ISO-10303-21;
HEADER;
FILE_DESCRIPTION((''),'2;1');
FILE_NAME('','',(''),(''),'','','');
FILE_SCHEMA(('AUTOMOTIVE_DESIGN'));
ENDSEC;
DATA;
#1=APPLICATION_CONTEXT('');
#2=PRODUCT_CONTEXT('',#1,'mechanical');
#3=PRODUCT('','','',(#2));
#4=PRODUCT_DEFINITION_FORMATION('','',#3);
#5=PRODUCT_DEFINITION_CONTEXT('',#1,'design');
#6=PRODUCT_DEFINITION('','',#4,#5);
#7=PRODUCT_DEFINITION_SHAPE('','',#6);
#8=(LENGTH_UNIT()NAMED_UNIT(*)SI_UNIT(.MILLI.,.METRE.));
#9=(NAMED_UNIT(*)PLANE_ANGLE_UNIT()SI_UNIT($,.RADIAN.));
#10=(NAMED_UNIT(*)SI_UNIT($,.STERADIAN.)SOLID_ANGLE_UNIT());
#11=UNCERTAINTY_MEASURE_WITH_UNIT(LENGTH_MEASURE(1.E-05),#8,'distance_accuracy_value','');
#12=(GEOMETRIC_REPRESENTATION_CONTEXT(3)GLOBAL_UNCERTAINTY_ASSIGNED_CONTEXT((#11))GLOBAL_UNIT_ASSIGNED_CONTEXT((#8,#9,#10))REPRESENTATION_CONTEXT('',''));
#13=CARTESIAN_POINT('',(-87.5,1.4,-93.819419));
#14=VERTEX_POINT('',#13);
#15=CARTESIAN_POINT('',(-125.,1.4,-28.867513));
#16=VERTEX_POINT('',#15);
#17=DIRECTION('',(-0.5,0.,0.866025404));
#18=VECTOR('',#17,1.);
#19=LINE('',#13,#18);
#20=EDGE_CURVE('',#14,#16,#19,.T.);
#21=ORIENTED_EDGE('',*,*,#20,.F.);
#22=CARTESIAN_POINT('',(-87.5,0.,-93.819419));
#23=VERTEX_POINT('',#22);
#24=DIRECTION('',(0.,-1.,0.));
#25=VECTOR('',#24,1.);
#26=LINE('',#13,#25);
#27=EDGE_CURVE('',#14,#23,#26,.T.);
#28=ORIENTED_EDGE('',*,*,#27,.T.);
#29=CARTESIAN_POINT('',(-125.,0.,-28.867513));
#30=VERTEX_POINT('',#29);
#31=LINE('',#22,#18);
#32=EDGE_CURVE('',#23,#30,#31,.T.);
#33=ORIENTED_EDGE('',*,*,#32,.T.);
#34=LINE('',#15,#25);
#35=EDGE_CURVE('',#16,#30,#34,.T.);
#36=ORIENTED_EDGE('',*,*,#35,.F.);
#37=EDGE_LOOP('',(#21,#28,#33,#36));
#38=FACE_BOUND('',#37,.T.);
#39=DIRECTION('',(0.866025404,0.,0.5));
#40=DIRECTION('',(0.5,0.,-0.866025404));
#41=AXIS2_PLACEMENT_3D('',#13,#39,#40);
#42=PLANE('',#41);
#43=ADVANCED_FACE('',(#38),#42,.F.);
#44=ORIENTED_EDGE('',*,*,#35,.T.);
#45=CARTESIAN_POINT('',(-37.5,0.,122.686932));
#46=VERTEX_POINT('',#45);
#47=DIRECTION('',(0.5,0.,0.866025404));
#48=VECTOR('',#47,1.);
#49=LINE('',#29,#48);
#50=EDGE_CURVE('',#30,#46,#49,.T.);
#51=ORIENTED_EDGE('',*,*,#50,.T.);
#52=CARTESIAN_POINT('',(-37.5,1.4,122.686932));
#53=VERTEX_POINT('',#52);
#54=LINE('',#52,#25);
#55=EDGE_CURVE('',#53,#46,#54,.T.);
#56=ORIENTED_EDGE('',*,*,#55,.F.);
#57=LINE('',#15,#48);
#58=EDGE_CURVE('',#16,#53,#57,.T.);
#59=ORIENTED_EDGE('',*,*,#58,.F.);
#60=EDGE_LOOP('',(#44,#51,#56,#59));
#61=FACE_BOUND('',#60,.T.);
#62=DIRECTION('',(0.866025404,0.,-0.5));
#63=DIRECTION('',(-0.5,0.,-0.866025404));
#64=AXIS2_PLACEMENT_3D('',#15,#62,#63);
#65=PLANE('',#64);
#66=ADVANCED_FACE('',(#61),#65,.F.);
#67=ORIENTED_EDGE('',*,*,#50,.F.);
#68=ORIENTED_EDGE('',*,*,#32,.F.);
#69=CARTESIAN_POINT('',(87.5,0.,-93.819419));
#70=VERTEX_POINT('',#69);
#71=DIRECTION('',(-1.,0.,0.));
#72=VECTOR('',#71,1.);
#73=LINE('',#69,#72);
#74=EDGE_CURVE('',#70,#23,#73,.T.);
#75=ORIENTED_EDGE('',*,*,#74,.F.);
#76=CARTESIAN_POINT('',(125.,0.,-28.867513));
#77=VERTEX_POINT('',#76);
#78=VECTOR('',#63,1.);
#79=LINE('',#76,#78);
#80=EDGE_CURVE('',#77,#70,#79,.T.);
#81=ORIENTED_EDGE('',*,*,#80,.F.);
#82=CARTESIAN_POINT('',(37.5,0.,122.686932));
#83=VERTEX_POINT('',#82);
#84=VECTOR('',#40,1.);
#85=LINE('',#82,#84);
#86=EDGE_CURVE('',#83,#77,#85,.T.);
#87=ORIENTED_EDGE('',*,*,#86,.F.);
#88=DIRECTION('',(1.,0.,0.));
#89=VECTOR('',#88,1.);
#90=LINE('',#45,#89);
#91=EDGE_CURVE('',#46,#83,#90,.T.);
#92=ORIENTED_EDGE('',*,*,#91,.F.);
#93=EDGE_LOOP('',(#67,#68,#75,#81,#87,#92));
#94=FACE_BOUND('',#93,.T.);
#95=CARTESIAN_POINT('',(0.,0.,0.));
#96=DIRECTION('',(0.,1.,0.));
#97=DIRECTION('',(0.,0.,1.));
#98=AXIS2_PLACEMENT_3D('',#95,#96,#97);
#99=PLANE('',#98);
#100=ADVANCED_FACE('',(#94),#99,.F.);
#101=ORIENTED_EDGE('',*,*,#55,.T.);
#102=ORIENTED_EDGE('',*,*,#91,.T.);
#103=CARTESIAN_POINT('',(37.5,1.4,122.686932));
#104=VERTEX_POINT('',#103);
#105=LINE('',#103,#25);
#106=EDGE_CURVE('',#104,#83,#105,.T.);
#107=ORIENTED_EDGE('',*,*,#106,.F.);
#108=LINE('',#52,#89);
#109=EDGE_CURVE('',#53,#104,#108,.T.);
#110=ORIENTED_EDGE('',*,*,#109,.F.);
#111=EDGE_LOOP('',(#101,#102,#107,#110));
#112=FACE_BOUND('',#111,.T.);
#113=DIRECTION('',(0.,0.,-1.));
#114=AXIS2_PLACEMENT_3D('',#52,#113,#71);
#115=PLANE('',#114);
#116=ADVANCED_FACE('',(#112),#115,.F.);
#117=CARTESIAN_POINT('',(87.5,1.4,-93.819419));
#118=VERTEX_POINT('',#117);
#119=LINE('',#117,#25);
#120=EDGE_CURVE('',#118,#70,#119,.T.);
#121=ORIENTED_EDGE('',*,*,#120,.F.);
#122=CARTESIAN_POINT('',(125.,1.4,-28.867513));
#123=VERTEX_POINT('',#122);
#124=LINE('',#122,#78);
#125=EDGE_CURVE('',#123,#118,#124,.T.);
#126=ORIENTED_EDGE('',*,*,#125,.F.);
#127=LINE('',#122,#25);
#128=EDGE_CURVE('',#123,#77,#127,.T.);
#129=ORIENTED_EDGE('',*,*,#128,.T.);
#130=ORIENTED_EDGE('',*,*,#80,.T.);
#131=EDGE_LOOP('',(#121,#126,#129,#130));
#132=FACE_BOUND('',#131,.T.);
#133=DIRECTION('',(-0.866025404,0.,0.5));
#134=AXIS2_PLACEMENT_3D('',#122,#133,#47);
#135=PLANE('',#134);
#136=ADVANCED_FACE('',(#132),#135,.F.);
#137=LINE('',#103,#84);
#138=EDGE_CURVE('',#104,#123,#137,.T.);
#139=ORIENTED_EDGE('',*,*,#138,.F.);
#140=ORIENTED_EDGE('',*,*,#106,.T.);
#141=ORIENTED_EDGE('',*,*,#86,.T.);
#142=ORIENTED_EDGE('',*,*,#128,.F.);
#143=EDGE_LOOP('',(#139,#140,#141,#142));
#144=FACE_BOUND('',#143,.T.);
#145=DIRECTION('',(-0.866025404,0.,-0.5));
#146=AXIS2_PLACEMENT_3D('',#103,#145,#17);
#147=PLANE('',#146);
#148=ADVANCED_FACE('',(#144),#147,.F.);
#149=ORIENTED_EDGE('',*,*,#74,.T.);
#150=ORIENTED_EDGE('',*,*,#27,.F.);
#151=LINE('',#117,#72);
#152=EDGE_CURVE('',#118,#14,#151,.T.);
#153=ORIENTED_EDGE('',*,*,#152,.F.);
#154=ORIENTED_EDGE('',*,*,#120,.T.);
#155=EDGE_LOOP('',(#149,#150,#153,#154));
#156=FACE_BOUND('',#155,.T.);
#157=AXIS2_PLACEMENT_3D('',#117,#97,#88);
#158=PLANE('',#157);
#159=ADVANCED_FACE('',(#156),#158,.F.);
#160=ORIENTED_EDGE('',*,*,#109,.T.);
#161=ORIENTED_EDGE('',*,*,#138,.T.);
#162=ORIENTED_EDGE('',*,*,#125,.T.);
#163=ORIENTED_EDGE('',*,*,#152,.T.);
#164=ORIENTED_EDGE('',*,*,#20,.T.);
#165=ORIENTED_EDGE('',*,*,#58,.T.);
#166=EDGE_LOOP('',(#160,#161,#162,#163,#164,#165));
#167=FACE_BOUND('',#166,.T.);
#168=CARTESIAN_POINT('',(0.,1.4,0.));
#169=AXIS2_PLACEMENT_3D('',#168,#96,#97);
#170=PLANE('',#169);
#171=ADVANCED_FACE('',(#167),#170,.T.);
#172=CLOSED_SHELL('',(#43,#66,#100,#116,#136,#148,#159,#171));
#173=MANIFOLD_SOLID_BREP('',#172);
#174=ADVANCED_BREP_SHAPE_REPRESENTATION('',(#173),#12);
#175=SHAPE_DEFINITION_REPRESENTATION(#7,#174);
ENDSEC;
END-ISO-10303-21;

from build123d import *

# Parameters (mm, degrees)
BOSS_EXTRUDE1_DEPTH = 1.4


with BuildPart() as part:
    # Sketch1 → Boss-Extrude1 (new body)
    with BuildSketch(Plane(origin=(0, 0, 0), x_dir=(1, 0, 0), z_dir=(0, 1, 0))):
        Polygon((87.5, 93.819418743), (-87.5, 93.819418743), (-125, 28.867513459), (-37.5, -122.686932203), (37.5, -122.686932203), (125, 28.867513459), align=None)
    extrude(amount=BOSS_EXTRUDE1_DEPTH)


solid = part.part
